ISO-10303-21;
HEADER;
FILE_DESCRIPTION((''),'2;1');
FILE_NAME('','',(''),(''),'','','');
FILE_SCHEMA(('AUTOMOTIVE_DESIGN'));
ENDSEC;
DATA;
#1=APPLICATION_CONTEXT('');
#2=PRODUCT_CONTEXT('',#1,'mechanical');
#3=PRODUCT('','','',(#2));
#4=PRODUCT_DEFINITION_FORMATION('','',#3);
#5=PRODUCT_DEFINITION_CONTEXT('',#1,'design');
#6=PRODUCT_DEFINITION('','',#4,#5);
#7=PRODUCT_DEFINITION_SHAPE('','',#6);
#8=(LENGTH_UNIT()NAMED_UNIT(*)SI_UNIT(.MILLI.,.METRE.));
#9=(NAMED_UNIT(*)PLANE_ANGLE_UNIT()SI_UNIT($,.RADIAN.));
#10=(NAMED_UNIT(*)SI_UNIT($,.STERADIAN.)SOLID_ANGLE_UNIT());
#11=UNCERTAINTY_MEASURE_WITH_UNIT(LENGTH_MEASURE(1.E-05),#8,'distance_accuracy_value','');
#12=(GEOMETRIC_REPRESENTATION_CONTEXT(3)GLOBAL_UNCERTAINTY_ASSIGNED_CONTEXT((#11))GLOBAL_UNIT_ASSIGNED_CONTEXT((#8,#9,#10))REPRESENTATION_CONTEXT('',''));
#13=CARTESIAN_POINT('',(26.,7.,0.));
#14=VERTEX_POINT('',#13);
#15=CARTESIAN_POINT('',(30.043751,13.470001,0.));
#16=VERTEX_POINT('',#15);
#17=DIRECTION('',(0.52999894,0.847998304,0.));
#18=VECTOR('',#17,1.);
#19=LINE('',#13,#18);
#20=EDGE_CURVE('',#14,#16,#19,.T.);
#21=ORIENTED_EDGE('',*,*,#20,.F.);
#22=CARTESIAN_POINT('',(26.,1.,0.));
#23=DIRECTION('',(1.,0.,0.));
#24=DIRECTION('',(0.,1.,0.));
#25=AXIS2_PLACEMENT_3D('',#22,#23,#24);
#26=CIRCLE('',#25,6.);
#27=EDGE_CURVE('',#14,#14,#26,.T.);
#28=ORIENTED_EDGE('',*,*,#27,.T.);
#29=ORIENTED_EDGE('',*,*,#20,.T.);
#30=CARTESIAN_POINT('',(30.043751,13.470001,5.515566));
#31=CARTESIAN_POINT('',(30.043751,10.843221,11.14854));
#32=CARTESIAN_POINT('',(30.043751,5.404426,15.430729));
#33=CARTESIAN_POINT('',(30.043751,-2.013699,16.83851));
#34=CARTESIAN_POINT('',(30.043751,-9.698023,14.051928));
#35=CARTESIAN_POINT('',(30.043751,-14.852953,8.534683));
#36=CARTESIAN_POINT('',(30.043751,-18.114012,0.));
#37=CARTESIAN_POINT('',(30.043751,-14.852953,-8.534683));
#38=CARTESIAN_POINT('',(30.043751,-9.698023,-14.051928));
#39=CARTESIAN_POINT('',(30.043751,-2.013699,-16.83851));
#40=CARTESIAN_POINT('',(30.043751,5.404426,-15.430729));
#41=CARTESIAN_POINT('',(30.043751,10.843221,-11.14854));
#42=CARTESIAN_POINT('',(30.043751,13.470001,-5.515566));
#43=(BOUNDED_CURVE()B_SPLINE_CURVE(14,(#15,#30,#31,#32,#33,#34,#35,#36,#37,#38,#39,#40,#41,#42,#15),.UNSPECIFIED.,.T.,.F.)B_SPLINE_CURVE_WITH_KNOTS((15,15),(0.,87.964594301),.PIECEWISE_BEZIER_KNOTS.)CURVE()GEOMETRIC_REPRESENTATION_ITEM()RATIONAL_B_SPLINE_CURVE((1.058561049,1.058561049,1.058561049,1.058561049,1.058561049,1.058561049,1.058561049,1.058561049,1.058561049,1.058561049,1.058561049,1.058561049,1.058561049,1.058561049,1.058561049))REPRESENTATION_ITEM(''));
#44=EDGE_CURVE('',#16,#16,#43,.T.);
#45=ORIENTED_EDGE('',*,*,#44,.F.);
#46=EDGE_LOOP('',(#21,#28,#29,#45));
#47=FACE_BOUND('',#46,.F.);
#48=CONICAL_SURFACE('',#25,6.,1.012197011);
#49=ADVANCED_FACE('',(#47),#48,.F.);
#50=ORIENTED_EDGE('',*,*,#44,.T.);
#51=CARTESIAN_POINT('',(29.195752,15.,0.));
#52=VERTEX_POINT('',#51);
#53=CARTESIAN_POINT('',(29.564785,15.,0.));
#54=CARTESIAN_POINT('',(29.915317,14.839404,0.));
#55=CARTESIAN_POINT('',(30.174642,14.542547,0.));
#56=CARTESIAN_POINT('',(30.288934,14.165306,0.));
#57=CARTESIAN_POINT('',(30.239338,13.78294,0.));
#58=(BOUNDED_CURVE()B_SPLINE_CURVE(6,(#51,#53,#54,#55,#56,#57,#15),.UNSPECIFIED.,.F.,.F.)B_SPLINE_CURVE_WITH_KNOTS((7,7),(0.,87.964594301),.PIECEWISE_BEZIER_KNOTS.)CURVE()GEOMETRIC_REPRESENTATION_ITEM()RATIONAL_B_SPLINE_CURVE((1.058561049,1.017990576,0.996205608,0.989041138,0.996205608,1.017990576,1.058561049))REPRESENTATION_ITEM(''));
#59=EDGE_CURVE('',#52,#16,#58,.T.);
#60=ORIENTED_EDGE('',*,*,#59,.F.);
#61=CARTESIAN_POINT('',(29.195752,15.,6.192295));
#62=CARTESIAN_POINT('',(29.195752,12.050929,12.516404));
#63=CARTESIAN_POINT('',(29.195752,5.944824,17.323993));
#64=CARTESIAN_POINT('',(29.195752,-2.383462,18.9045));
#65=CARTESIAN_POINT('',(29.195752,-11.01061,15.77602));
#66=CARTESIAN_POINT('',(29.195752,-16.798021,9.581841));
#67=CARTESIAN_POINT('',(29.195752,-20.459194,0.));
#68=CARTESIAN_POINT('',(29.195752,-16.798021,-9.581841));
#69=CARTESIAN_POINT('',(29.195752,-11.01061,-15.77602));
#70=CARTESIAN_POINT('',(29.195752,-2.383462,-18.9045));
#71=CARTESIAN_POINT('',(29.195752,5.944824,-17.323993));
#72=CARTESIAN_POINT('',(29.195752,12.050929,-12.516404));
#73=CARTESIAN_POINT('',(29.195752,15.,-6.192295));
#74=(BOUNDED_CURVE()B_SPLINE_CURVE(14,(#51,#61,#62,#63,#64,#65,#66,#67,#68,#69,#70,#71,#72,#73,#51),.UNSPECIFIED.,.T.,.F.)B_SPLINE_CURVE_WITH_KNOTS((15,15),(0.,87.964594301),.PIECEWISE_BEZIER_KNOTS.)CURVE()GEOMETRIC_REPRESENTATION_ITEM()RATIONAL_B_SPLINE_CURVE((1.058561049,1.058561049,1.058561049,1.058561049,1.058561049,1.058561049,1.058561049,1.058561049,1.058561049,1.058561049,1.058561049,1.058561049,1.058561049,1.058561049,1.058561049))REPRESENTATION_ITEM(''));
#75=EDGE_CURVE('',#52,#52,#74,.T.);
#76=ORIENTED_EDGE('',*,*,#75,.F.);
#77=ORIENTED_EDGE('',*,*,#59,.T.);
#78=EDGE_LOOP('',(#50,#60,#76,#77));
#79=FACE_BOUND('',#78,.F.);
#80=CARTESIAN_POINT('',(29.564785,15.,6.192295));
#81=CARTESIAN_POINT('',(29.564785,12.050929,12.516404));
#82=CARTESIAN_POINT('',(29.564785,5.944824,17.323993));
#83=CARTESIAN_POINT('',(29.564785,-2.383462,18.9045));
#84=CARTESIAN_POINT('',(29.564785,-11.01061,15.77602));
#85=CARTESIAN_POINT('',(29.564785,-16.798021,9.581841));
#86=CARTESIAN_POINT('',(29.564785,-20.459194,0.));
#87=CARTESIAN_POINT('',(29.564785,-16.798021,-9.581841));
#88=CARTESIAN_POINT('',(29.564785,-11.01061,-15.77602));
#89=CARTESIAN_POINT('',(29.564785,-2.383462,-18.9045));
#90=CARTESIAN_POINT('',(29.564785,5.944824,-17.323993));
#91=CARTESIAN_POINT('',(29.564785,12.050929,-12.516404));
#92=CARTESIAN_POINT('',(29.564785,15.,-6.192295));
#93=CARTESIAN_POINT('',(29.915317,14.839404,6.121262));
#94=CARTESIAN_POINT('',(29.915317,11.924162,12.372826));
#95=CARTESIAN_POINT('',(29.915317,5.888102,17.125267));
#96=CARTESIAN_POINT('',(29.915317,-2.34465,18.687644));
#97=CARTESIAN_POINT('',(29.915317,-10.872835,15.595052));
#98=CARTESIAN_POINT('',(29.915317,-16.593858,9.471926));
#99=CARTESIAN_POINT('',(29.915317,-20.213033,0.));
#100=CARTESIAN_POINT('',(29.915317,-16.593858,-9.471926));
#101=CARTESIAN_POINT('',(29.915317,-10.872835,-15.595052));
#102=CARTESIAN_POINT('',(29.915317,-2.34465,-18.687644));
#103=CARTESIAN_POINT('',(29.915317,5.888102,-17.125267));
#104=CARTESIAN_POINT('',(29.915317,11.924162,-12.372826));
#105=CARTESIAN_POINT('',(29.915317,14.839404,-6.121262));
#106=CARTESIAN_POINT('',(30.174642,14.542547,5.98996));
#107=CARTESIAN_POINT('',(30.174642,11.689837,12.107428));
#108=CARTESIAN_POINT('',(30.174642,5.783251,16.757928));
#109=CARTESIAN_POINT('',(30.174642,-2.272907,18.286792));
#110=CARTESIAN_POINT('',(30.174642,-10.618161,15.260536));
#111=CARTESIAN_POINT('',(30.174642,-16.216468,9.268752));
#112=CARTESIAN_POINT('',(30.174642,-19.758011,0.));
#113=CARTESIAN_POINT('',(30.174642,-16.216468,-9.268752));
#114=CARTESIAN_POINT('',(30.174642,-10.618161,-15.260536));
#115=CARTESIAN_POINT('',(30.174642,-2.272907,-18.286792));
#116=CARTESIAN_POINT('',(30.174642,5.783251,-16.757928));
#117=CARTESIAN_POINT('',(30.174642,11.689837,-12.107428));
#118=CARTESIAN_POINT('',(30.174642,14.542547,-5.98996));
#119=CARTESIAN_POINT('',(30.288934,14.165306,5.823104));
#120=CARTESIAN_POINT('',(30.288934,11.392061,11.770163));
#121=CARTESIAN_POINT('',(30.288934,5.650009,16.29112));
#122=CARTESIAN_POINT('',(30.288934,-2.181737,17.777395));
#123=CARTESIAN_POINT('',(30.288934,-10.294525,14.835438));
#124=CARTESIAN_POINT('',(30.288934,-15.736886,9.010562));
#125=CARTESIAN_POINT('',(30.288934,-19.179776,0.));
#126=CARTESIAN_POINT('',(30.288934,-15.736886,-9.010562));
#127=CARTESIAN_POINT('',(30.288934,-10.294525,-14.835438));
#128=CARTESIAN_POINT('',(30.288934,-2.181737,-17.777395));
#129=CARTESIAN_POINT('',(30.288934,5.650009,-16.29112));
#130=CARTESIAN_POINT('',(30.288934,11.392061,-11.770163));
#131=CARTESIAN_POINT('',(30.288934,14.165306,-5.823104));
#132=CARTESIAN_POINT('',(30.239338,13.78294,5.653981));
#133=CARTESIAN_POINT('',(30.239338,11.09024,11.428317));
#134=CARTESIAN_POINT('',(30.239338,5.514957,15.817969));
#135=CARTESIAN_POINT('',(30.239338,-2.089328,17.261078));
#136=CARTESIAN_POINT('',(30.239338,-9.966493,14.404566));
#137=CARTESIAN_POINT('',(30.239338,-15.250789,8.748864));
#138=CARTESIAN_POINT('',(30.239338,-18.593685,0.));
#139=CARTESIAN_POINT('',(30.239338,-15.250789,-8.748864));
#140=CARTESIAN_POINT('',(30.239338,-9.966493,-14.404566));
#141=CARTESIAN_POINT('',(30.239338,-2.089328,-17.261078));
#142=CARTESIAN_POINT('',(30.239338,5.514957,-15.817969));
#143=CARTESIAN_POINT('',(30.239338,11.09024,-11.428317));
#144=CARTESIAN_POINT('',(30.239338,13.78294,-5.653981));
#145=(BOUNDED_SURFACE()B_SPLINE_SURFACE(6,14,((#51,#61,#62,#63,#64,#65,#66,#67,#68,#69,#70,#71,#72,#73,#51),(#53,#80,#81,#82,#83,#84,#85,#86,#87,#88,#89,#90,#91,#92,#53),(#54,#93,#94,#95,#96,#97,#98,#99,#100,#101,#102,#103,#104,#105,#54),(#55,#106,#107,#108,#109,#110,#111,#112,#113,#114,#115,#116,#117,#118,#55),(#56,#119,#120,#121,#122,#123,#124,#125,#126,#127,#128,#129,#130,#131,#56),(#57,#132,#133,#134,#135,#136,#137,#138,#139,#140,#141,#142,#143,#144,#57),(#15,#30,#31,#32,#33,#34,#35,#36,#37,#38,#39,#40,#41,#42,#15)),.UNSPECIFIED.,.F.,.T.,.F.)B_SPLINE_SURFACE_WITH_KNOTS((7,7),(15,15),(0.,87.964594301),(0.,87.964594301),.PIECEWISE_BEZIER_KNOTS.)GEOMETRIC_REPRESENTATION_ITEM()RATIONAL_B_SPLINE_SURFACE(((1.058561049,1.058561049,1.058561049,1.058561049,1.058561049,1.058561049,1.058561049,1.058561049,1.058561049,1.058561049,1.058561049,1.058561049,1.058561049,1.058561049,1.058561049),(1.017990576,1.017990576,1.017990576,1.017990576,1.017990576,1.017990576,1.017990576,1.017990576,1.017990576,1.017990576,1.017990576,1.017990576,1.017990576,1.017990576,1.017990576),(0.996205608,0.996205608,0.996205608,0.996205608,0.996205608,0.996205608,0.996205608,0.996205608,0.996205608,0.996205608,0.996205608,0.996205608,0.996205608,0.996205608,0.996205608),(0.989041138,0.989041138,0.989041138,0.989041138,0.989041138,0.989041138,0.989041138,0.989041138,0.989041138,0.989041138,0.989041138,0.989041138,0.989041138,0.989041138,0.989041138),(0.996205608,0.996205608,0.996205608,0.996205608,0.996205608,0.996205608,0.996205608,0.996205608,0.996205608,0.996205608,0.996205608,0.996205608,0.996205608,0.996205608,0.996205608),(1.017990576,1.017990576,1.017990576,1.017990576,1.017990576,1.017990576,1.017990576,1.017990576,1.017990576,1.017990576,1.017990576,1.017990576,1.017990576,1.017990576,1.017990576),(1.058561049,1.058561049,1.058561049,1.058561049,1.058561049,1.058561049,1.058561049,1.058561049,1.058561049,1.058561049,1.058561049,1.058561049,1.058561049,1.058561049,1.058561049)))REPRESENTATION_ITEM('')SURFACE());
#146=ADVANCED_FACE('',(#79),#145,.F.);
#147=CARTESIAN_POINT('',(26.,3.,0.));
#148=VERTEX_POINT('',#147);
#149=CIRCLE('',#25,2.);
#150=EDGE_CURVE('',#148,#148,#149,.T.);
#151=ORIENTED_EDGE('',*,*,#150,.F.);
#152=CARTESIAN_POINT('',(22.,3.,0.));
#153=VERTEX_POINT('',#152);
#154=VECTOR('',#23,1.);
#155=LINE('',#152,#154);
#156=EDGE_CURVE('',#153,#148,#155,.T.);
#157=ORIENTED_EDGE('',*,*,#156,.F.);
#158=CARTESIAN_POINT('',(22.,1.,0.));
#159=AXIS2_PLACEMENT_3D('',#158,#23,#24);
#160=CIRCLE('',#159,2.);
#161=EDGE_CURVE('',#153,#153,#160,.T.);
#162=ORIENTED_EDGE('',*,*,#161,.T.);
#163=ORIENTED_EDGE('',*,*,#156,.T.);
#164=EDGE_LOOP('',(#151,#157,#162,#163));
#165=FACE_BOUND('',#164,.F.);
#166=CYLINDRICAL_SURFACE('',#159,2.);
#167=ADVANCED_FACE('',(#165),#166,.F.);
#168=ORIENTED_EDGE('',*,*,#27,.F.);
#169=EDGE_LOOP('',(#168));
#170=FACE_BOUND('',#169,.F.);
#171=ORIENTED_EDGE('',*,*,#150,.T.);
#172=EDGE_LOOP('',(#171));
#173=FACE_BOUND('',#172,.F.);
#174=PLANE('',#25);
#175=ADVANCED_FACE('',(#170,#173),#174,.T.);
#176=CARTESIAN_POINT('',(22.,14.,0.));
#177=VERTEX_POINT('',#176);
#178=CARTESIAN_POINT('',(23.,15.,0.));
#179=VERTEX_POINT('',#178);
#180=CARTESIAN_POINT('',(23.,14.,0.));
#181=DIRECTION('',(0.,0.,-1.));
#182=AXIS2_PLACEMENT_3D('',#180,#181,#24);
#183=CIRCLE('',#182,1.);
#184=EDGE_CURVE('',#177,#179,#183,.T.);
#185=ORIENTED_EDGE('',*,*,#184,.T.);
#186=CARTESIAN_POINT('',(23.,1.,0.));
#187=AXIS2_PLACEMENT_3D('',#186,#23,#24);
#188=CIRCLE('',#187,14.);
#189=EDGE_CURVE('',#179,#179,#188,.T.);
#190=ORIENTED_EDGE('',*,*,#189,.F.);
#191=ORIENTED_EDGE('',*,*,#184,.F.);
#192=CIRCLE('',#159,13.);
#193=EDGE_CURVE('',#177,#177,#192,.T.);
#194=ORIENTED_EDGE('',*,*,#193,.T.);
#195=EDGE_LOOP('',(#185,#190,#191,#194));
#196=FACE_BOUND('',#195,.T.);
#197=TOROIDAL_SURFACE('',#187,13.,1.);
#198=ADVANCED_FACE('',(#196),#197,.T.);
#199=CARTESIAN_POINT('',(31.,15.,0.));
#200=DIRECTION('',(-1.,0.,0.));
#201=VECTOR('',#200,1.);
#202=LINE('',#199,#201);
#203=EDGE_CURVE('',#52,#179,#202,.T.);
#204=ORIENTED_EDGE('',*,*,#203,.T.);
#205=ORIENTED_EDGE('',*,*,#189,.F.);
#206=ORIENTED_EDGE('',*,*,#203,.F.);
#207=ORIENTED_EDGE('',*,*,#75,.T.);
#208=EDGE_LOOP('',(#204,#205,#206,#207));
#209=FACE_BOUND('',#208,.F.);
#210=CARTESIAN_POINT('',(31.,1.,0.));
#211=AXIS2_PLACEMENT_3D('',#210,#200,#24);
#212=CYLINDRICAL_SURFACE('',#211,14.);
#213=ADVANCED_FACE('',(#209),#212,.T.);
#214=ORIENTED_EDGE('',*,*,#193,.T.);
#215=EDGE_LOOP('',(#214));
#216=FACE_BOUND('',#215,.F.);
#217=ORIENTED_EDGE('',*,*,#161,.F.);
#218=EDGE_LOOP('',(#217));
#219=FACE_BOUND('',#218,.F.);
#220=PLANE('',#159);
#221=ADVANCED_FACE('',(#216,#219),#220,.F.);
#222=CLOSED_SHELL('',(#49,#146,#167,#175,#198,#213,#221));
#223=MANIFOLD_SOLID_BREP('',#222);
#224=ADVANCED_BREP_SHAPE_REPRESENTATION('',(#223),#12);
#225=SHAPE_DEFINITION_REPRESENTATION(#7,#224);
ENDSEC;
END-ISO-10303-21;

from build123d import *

# Parameters (mm, degrees)
FILLET005_R = 1
FILLET006_R = 1


with BuildPart() as part:
    # Sketch006 → Revolution002 (revolve)
    with BuildSketch(Plane.XY):
        Polygon((2, 14), (2, 2), (6, 2), (6, 6), (11, 14), align=None)
    revolve(axis=Axis((0, 0, 0), (1, 0, 0)))

    # Fillet005
    fillet005_edges = [part.edges().sort_by_distance(p)[0] for p in [
        (2, -14, 0),
    ]]
    fillet(fillet005_edges, radius=FILLET005_R)

    # Fillet006
    fillet006_edges = [part.edges().sort_by_distance(p)[0] for p in [
        (11, -14, 0),
    ]]
    fillet(fillet006_edges, radius=FILLET006_R)


with BuildPart() as part_1:
    # Body003 placement: moved
    add(part.part.moved(Location((20, 1, 0))))


solid = part_1.part
